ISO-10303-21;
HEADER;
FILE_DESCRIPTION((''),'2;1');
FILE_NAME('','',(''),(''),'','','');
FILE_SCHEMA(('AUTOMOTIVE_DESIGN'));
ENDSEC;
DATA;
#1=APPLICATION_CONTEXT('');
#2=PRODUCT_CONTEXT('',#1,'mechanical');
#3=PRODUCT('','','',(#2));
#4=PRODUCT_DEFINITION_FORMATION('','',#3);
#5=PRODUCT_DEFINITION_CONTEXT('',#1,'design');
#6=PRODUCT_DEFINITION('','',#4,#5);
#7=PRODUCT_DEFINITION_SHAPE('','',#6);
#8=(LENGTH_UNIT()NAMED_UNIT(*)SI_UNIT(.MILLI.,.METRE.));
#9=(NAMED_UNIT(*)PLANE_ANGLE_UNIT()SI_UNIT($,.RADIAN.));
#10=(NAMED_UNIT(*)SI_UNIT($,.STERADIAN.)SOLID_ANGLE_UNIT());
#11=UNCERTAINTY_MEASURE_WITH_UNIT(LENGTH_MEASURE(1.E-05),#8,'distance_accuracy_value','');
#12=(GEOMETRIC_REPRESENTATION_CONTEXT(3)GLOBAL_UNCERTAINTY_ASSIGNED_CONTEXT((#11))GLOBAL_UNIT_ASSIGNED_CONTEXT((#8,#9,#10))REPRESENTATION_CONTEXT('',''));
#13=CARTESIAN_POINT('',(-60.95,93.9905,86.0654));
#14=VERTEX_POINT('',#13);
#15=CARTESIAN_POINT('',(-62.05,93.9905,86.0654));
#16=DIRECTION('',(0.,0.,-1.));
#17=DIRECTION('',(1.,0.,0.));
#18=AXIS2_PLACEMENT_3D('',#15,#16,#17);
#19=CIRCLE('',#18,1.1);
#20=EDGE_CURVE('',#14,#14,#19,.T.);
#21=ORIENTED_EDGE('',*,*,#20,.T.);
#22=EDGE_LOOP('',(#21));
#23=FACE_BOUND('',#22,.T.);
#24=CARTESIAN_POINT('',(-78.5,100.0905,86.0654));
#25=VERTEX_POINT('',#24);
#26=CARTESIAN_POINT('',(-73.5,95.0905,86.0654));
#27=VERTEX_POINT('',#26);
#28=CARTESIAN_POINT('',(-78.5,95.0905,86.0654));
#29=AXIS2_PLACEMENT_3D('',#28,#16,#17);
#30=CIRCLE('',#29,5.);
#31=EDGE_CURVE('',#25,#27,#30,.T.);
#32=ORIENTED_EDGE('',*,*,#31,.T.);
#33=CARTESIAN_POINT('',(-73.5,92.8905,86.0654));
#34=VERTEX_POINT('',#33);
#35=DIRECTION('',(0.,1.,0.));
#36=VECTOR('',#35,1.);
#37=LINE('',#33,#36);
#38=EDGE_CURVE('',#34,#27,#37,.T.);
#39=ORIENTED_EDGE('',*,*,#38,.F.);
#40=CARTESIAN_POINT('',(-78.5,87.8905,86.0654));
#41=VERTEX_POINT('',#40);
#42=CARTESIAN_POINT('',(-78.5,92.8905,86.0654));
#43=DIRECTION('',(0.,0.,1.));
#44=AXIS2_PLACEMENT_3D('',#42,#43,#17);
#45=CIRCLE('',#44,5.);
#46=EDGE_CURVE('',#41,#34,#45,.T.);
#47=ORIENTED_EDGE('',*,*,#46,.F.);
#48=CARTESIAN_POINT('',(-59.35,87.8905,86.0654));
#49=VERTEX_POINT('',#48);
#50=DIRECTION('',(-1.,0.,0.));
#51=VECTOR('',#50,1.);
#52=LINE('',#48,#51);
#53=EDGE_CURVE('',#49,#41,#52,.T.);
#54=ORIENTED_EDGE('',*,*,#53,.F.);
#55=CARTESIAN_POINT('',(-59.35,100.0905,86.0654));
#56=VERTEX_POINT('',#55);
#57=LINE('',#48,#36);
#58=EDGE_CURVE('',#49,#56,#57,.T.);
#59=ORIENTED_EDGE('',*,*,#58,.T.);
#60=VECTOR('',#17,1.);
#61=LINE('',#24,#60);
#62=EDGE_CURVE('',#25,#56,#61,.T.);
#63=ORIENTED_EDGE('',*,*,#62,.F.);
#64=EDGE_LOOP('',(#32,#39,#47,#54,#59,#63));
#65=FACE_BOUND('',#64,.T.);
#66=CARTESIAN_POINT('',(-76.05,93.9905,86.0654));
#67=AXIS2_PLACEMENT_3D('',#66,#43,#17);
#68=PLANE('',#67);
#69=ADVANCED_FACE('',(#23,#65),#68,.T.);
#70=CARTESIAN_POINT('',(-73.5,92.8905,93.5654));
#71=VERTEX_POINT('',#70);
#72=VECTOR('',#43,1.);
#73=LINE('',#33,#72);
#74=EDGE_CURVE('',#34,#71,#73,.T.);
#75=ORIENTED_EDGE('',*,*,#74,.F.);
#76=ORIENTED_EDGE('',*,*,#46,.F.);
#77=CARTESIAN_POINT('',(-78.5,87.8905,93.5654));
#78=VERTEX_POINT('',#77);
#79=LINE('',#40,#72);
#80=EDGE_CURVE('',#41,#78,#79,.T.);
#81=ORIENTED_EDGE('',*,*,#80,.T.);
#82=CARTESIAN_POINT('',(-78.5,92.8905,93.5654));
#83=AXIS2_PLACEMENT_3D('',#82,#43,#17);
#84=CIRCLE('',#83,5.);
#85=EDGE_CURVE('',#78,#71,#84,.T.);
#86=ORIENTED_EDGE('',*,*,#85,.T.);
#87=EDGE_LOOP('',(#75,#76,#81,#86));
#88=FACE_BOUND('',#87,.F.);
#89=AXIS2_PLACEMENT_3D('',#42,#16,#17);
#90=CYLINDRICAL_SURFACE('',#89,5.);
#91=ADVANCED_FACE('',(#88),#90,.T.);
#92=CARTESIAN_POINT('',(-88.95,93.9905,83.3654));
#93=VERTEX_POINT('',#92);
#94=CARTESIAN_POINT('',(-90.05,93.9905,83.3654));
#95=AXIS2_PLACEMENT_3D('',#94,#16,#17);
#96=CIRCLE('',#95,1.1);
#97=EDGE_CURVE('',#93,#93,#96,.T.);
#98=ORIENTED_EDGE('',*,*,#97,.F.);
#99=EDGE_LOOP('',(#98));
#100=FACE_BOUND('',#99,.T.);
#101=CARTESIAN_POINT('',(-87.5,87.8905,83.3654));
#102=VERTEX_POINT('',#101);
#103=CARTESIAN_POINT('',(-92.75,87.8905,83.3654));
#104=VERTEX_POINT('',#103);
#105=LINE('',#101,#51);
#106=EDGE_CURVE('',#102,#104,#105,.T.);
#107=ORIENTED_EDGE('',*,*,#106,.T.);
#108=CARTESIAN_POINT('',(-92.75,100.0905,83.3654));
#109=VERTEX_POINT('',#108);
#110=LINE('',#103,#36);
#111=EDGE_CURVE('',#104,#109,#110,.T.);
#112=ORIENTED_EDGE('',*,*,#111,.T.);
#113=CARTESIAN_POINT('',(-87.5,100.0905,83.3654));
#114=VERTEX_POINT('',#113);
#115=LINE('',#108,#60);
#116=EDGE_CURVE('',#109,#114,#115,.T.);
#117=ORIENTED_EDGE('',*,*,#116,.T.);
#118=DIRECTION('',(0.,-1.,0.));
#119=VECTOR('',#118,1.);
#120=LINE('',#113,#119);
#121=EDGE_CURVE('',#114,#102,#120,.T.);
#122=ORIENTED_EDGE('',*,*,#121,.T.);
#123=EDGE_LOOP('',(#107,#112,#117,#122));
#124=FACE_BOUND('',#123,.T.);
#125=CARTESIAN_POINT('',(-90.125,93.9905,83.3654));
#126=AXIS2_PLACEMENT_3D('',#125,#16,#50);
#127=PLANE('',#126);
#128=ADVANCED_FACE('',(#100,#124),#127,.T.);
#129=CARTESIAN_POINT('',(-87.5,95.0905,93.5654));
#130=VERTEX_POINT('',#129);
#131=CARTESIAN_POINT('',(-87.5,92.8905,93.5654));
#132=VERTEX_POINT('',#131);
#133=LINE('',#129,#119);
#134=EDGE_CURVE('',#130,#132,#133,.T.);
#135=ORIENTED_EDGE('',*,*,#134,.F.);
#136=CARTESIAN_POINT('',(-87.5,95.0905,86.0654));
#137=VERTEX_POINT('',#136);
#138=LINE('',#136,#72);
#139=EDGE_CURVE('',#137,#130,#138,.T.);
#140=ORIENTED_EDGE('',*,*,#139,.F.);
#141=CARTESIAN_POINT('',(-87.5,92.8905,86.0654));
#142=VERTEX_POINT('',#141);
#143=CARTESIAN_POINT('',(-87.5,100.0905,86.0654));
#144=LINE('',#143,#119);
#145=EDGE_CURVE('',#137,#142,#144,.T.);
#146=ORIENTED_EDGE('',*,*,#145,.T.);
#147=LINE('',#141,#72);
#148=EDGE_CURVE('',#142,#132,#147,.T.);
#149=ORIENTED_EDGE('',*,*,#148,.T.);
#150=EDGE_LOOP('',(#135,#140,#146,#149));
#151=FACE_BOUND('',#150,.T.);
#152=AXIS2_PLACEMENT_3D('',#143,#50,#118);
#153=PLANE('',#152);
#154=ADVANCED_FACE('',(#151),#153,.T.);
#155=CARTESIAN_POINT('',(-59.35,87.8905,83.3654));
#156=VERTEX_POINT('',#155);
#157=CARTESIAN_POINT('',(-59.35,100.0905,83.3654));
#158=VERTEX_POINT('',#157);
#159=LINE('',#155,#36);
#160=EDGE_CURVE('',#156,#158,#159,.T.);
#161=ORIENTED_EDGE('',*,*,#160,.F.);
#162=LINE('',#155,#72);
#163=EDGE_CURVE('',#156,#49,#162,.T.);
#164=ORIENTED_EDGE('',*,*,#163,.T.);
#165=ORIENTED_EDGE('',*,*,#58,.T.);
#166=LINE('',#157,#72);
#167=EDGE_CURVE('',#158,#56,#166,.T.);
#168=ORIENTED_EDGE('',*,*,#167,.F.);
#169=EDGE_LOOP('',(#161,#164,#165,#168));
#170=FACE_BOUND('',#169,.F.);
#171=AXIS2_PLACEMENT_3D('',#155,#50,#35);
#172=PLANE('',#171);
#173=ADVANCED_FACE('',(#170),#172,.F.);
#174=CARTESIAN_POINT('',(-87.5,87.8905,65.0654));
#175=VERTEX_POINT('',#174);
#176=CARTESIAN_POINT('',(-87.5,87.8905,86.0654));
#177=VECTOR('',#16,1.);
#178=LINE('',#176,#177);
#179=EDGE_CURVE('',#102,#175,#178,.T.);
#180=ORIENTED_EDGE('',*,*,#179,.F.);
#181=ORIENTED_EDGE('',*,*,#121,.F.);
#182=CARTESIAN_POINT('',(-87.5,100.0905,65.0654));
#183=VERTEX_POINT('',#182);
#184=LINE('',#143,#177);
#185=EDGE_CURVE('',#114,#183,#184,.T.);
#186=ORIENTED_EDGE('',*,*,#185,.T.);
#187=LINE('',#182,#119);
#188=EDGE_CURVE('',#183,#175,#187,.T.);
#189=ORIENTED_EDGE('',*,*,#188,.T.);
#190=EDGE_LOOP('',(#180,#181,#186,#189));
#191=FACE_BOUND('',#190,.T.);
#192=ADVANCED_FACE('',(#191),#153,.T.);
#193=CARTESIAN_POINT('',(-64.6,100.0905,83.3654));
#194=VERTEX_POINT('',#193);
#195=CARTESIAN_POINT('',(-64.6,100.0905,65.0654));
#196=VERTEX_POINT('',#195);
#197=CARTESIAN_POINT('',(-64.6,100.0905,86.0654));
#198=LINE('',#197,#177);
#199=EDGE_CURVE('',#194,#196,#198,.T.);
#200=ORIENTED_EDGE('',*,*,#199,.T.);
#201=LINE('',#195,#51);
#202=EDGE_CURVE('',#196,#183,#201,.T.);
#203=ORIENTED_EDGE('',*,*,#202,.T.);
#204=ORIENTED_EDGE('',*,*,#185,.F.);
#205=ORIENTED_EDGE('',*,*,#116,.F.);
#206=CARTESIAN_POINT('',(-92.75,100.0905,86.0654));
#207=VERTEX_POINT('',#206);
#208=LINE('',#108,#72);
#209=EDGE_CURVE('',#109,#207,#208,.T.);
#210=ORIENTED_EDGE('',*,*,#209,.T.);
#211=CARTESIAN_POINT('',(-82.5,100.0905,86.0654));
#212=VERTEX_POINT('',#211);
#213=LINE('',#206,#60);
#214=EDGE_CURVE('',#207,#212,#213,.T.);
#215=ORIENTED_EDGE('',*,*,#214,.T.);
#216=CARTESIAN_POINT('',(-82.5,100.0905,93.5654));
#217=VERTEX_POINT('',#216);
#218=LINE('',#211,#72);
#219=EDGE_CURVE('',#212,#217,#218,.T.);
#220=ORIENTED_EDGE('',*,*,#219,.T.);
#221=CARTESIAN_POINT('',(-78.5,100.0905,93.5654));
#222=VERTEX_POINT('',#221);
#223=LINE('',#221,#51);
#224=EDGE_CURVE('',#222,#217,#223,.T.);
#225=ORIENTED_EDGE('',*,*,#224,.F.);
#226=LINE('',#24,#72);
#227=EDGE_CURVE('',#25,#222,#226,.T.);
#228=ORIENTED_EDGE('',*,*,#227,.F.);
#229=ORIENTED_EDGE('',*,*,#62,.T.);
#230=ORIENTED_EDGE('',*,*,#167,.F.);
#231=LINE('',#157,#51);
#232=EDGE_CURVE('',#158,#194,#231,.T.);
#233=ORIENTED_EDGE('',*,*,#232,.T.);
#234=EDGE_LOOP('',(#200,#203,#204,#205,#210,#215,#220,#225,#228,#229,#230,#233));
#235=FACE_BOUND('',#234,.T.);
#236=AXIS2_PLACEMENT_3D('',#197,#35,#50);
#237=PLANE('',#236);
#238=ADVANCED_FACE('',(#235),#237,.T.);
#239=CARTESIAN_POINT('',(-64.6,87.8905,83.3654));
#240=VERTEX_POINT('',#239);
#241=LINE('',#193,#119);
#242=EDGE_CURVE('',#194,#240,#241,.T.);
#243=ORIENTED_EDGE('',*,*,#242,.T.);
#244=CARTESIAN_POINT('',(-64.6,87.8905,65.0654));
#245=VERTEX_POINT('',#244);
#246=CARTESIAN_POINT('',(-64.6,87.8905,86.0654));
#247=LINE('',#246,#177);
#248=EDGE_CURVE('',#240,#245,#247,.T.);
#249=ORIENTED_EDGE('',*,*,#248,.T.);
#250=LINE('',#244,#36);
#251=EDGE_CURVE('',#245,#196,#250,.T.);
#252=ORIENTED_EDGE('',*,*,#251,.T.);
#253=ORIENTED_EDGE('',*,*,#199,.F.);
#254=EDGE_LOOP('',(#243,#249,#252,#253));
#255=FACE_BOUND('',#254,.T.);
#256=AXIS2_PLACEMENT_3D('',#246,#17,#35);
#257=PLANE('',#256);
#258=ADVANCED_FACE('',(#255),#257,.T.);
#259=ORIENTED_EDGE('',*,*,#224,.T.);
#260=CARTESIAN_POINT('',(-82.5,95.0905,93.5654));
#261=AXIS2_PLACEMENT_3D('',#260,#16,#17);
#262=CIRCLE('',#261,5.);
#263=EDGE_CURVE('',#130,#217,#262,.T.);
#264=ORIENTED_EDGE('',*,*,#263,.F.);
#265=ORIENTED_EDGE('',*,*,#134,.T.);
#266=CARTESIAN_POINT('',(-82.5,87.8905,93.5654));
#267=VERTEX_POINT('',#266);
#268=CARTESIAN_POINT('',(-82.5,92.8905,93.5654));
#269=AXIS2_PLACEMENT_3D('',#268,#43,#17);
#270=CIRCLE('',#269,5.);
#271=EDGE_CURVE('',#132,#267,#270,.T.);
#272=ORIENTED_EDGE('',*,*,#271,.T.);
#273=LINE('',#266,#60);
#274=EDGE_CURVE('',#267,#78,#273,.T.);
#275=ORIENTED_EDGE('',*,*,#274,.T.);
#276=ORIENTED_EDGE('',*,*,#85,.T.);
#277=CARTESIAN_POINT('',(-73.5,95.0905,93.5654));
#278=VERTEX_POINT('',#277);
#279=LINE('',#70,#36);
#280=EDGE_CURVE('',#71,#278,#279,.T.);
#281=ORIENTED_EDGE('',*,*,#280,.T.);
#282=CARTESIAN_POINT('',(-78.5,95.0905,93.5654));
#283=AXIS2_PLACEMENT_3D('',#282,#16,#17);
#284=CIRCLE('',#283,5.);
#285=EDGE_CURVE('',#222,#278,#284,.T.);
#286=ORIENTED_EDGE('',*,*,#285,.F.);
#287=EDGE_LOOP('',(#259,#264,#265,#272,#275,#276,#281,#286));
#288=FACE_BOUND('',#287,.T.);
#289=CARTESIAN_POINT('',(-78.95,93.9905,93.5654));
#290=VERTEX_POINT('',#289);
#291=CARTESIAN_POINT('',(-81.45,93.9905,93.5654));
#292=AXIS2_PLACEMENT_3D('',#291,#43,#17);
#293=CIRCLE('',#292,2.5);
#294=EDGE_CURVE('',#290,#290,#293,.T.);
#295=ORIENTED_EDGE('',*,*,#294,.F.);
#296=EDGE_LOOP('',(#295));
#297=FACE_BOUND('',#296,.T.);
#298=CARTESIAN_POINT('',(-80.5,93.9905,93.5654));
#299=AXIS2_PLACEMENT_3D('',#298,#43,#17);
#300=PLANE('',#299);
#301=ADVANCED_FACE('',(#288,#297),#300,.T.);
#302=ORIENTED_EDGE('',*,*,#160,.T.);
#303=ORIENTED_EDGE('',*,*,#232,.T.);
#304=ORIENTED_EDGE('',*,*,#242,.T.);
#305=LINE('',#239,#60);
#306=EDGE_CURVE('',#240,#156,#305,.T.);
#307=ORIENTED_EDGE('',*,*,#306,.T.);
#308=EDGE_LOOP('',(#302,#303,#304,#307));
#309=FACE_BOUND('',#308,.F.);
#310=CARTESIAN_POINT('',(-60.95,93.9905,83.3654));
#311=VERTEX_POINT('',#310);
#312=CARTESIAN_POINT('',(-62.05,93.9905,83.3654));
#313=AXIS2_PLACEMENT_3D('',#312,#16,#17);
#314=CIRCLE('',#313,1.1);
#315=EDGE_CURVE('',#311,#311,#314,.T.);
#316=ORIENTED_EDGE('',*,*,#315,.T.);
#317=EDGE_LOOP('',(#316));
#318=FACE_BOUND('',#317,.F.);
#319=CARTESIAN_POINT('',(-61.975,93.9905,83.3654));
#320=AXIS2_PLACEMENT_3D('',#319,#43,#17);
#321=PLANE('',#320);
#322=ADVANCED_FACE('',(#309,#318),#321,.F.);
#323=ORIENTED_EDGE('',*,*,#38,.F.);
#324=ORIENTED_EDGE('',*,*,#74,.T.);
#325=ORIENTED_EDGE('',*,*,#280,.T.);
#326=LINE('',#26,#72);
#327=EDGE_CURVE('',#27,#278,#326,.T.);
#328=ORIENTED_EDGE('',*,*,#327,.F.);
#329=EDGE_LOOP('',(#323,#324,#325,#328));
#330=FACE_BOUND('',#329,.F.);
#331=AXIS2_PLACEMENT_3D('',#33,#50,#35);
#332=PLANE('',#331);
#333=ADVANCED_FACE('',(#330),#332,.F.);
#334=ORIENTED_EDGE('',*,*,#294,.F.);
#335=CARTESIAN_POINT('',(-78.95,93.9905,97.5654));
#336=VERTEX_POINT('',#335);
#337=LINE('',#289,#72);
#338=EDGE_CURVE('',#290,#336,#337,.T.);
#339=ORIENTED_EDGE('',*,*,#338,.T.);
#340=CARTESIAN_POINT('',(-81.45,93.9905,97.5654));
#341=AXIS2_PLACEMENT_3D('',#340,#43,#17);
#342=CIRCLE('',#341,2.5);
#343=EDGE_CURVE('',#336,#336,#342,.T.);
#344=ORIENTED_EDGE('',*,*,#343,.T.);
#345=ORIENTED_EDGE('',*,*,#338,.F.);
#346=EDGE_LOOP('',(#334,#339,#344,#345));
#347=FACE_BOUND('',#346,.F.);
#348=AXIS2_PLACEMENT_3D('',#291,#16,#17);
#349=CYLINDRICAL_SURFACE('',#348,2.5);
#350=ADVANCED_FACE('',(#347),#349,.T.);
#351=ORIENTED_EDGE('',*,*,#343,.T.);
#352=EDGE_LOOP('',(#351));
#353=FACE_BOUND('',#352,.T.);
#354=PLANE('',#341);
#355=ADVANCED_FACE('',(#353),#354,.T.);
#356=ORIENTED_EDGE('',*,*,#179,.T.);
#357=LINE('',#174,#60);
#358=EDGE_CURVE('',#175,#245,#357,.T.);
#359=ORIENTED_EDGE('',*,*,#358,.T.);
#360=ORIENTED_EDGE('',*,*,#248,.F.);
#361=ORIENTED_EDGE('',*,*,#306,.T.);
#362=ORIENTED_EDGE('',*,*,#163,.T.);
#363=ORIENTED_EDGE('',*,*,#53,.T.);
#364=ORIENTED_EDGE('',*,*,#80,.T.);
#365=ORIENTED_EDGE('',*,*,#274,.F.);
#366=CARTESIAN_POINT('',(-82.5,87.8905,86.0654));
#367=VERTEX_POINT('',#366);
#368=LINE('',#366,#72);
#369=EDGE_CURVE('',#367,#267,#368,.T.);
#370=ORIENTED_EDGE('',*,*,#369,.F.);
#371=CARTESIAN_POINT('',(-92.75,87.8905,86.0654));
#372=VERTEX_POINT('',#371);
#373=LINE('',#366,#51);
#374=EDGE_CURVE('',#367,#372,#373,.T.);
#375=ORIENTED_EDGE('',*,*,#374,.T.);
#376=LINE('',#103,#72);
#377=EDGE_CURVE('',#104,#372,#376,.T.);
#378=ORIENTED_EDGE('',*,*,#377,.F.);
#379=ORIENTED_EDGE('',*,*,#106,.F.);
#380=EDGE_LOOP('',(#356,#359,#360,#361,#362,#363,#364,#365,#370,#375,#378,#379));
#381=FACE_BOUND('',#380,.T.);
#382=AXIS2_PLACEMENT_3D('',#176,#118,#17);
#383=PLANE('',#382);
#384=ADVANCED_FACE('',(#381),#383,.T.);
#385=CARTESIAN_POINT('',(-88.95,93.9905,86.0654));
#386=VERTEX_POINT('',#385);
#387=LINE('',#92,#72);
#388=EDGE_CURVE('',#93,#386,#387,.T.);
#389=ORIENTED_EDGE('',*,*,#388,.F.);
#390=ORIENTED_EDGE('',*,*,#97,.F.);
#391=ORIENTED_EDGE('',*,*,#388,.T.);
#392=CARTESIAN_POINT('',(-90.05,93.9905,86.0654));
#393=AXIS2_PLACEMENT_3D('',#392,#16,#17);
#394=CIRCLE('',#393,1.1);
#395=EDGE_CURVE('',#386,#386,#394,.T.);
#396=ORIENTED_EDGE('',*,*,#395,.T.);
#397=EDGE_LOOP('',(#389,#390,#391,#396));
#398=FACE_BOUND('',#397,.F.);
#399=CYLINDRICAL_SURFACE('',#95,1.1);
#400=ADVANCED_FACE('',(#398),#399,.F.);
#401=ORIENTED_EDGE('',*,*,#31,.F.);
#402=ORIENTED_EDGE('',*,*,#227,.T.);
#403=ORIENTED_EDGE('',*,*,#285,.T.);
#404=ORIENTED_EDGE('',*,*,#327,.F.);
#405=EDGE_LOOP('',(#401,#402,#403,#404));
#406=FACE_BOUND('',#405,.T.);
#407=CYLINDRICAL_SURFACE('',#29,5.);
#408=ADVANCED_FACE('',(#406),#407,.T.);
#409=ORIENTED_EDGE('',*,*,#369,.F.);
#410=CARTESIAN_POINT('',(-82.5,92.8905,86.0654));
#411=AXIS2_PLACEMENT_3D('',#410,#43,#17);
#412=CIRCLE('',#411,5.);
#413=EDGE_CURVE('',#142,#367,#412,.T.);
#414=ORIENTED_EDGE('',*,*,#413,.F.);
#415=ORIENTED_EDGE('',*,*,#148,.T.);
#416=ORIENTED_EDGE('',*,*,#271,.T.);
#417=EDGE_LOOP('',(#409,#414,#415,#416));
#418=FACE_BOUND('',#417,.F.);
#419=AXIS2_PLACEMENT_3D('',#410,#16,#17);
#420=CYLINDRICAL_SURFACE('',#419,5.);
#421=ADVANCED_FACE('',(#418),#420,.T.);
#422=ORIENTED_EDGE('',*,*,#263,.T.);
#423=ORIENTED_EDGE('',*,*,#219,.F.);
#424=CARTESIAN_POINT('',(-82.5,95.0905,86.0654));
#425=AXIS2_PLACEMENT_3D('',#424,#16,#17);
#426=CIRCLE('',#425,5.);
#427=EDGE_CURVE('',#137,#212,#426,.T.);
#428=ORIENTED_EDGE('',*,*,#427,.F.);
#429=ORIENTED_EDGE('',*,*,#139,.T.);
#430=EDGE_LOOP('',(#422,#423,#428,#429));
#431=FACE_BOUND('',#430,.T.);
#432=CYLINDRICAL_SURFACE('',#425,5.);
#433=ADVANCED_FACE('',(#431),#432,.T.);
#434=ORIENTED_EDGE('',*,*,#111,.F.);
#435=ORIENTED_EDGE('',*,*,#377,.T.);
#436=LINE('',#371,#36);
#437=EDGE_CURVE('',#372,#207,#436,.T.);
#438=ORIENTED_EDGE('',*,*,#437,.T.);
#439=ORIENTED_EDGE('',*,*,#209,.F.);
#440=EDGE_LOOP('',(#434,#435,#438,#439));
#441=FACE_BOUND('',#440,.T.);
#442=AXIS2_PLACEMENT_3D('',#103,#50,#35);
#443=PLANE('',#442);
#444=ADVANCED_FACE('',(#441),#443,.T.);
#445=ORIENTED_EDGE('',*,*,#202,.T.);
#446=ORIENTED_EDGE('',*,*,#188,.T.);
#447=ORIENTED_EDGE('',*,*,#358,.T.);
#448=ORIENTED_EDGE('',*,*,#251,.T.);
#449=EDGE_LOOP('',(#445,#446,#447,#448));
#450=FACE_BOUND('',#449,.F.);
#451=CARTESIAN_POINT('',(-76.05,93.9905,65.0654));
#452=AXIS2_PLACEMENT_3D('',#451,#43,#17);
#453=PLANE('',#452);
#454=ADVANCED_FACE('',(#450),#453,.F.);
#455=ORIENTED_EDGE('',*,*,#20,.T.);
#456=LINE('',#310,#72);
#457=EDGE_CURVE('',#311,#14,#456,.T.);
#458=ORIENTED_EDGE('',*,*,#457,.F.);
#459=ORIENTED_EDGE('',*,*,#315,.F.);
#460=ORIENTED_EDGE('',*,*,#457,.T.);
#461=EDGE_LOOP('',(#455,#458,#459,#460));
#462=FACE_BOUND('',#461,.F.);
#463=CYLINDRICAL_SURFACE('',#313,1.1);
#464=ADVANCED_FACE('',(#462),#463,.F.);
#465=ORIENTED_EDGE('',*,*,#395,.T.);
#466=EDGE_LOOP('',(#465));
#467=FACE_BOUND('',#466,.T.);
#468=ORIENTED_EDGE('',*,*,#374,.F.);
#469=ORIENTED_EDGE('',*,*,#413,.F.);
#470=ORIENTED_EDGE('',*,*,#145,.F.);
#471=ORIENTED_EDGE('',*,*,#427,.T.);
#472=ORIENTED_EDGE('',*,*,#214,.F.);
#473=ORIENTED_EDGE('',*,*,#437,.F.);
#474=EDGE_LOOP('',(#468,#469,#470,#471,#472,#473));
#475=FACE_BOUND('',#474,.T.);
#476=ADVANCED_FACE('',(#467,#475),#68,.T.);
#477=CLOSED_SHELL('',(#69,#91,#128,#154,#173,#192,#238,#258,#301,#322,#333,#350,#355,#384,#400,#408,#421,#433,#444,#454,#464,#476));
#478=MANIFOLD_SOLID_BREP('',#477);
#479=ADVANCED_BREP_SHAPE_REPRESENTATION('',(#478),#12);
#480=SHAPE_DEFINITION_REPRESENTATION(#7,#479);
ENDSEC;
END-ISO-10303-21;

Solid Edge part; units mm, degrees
sketch "Sketch1" plane through (0, 0, 86.0654) normal (0, 0, 1) x (1, 0, 0)
  line L0 (-64.6, 87.8905) -> (-64.6, 100.0905)
  line L1 (-64.6, 100.0905) -> (-87.5, 100.0905)
  line L2 (-87.5, 100.0905) -> (-87.5, 87.8905)
  line L3 (-87.5, 87.8905) -> (-64.6, 87.8905)
extrude "Protrusion1" add sketch "Sketch1" against normal blind 21
sketch "Sketch2" plane through (-76.05, 93.9905, 86.0654) normal (0, 0, 1) x (1, 0, 0)
  line L0 (2.55, -1.1) -> (2.55, 1.1)
  arc A0 (-2.45, 6.1) -> (2.55, 1.1) centre (-2.45, 1.1) cw
  line L1 (-2.45, 6.1) -> (-6.45, 6.1)
  arc A1 (-11.45, 1.1) -> (-6.45, 6.1) centre (-6.45, 1.1) cw
  line L2 (-11.45, 1.1) -> (-11.45, -1.1)
  arc A2 (-11.45, -1.1) -> (-6.45, -6.1) centre (-6.45, -1.1) ccw
  line L3 (-6.45, -6.1) -> (-2.45, -6.1)
  arc A3 (-2.45, -6.1) -> (2.55, -1.1) centre (-2.45, -1.1) ccw
extrude "ExtrudedProtrusion_5" add sketch "Sketch2" along normal blind 7.5
sketch "Sketch3" plane through (-80.5, 93.9905, 93.5654) normal (0, 0, 1) x (1, 0, 0)
  circle A0 centre (-0.95, 0) radius 2.5
extrude "ExtrudedProtrusion_6" add sketch "Sketch3" along normal blind 4
sketch "Sketch4" plane through (-76.05, 93.9905, 83.3654) normal (0, 0, -1) x (1, 0, 0)
  line L0 (-16.7, -6.1) -> (-11.45, -6.1)
  line L1 (-11.45, -6.1) -> (-11.45, 6.1)
  line L2 (-11.45, 6.1) -> (-16.7, 6.1)
  line L3 (-16.7, 6.1) -> (-16.7, -6.1)
  circle A0 centre (-14, 0) radius 1.1
  line L4 (11.45, -6.1) -> (11.45, 6.1)
  line L5 (11.45, 6.1) -> (16.7, 6.1)
  line L6 (16.7, 6.1) -> (16.7, -6.1)
  line L7 (16.7, -6.1) -> (11.45, -6.1)
  circle A1 centre (14, 0) radius 1.1
extrude "ExtrudedProtrusion_7" add sketch "Sketch4" against normal blind 2.7
